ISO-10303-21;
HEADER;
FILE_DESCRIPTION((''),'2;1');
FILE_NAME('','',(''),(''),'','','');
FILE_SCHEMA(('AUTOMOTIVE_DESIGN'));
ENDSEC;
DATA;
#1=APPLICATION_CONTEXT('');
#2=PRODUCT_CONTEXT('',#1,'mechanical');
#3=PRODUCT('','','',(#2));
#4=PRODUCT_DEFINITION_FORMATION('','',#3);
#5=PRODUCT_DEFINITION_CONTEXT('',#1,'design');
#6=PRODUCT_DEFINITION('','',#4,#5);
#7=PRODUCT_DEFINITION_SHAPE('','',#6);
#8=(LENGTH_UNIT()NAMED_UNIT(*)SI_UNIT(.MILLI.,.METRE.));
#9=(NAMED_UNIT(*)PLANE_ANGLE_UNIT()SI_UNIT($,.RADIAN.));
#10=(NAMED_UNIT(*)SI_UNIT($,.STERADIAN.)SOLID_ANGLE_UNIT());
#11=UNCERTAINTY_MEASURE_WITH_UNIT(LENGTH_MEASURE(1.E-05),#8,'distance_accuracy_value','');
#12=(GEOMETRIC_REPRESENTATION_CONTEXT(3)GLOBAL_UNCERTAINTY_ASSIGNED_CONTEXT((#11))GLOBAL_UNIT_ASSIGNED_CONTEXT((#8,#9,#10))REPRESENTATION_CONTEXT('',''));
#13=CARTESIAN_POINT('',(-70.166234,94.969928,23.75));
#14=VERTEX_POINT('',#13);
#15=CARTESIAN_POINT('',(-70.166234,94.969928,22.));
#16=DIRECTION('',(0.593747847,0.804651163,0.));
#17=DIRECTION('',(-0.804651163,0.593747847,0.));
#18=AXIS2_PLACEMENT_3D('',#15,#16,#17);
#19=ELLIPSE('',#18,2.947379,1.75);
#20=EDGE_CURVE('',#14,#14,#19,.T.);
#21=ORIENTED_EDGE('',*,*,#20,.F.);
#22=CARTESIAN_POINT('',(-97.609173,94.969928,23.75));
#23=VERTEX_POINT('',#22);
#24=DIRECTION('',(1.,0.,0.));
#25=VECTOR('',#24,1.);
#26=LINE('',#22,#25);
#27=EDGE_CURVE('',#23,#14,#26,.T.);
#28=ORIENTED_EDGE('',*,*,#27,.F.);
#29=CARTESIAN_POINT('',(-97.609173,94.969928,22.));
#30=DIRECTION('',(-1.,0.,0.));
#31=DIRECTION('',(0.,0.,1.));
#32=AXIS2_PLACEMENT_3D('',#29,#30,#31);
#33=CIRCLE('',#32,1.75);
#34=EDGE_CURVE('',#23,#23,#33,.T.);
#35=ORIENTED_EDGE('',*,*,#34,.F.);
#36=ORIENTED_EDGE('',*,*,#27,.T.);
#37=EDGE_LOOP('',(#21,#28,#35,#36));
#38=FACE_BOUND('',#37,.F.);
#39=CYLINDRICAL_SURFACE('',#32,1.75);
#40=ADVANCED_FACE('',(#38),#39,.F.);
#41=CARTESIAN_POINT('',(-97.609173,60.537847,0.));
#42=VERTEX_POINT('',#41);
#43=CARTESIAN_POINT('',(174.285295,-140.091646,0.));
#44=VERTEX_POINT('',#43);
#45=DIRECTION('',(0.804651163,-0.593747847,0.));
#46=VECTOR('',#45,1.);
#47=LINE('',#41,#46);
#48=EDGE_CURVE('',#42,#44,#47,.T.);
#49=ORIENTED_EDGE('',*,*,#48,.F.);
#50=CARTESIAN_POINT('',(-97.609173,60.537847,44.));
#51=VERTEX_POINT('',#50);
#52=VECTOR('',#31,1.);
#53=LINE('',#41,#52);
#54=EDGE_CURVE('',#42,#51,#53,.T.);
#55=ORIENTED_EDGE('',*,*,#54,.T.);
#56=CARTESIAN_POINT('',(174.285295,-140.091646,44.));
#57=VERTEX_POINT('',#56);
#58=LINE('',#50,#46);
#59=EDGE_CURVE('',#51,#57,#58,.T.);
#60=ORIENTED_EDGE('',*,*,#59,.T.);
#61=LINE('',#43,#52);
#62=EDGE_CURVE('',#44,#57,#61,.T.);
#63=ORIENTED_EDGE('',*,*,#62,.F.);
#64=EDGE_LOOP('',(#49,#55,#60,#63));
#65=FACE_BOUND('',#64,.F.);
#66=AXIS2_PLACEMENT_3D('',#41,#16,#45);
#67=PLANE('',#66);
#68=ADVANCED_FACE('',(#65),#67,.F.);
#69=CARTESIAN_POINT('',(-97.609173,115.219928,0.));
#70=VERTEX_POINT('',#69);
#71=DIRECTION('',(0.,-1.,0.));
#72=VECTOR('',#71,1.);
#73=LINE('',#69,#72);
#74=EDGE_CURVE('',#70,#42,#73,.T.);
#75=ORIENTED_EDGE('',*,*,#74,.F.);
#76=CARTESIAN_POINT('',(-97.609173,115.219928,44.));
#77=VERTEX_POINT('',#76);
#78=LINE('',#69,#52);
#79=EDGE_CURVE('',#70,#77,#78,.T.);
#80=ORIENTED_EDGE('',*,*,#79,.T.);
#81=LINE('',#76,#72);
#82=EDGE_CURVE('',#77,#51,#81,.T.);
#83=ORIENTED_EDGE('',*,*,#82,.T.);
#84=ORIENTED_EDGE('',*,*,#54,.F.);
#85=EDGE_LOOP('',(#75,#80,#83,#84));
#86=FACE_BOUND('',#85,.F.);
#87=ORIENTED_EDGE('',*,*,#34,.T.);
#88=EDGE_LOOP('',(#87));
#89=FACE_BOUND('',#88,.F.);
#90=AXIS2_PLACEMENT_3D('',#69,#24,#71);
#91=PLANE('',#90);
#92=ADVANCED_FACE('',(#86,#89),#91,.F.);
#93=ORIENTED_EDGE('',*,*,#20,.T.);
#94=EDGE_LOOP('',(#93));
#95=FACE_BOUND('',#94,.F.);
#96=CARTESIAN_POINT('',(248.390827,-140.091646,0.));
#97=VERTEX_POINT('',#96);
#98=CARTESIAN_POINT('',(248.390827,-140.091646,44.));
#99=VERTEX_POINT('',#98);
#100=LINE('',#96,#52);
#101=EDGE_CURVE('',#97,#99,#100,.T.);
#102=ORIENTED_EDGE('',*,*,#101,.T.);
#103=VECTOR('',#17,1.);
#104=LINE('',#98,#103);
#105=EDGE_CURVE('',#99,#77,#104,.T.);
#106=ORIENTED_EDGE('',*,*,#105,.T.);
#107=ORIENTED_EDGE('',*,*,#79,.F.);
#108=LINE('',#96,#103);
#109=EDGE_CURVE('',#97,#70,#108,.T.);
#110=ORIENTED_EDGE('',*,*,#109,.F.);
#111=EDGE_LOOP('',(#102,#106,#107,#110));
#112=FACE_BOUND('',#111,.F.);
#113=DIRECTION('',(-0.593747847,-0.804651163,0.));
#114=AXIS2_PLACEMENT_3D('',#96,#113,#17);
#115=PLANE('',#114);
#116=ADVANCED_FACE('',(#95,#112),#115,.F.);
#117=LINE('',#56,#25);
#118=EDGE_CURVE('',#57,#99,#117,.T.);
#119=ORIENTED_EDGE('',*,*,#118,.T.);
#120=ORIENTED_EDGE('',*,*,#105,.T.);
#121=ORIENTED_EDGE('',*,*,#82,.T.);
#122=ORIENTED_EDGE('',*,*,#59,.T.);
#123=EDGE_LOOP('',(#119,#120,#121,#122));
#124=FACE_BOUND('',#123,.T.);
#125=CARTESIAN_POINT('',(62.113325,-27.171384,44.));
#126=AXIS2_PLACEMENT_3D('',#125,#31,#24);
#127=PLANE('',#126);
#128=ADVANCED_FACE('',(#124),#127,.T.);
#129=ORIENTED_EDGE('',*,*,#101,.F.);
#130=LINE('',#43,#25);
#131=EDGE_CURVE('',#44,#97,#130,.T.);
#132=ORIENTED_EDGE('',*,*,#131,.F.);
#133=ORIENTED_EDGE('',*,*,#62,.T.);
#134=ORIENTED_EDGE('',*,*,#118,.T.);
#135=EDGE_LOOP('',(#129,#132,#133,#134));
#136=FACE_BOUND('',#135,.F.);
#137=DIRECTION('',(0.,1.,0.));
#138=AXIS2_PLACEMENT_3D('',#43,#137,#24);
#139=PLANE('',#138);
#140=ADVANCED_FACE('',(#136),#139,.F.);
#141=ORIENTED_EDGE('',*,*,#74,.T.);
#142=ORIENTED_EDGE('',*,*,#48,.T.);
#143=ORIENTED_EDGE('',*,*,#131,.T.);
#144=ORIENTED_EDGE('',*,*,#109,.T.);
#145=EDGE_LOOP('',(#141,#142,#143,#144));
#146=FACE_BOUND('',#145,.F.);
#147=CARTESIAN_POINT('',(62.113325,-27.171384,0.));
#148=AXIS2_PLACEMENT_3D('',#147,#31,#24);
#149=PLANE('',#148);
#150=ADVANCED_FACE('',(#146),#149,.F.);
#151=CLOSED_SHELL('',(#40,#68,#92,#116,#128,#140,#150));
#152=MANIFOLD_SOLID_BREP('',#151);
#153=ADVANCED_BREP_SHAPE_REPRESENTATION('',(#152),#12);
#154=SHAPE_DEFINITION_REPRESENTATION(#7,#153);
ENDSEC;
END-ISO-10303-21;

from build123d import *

# Parameters (mm, degrees)
BOSS_EXTRU_1_DEPTH      = 44
ENL_V_MAT_EXTRU_1_REACH = 348
ESQUISSE2_R             = 1.75


with BuildPart() as part:
    # Esquisse1 → Boss.-Extru.1 (new body)
    with BuildSketch(Plane.XY):
        Polygon((-97.60917289, 115.219928183), (-97.60917289, 60.537847258), (174.28529528, -140.091646173), (248.39082711, -140.091646173), align=None)
    extrude(amount=BOSS_EXTRU_1_DEPTH)

    # Enlèv. mat.-Extru.1: up to this face of the body (flat: up to its plane)
    enl_v_mat_extru_1_end = Plane(part.part.faces().sort_by_distance((75.39082711, -12.435858995, 22))[0])
    # Esquisse2 → Enlèv. mat.-Extru.1 (cut, up to the picked face)
    with BuildSketch(Plane.ZY.offset(97.60917289), mode=Mode.PRIVATE) as enl_v_mat_extru_1_sk1:
        with Locations((22, 94.969928183)):
            Circle(ESQUISSE2_R)
    enl_v_mat_extru_1_tool1 = split(extrude(enl_v_mat_extru_1_sk1.sketch, amount=-ENL_V_MAT_EXTRU_1_REACH, mode=Mode.PRIVATE), bisect_by=enl_v_mat_extru_1_end, keep=Keep.BOTH, mode=Mode.PRIVATE)
    add(enl_v_mat_extru_1_tool1.solids().sort_by_distance((-97.609173, 94.969928, 22))[0], mode=Mode.SUBTRACT)


solid = part.part
